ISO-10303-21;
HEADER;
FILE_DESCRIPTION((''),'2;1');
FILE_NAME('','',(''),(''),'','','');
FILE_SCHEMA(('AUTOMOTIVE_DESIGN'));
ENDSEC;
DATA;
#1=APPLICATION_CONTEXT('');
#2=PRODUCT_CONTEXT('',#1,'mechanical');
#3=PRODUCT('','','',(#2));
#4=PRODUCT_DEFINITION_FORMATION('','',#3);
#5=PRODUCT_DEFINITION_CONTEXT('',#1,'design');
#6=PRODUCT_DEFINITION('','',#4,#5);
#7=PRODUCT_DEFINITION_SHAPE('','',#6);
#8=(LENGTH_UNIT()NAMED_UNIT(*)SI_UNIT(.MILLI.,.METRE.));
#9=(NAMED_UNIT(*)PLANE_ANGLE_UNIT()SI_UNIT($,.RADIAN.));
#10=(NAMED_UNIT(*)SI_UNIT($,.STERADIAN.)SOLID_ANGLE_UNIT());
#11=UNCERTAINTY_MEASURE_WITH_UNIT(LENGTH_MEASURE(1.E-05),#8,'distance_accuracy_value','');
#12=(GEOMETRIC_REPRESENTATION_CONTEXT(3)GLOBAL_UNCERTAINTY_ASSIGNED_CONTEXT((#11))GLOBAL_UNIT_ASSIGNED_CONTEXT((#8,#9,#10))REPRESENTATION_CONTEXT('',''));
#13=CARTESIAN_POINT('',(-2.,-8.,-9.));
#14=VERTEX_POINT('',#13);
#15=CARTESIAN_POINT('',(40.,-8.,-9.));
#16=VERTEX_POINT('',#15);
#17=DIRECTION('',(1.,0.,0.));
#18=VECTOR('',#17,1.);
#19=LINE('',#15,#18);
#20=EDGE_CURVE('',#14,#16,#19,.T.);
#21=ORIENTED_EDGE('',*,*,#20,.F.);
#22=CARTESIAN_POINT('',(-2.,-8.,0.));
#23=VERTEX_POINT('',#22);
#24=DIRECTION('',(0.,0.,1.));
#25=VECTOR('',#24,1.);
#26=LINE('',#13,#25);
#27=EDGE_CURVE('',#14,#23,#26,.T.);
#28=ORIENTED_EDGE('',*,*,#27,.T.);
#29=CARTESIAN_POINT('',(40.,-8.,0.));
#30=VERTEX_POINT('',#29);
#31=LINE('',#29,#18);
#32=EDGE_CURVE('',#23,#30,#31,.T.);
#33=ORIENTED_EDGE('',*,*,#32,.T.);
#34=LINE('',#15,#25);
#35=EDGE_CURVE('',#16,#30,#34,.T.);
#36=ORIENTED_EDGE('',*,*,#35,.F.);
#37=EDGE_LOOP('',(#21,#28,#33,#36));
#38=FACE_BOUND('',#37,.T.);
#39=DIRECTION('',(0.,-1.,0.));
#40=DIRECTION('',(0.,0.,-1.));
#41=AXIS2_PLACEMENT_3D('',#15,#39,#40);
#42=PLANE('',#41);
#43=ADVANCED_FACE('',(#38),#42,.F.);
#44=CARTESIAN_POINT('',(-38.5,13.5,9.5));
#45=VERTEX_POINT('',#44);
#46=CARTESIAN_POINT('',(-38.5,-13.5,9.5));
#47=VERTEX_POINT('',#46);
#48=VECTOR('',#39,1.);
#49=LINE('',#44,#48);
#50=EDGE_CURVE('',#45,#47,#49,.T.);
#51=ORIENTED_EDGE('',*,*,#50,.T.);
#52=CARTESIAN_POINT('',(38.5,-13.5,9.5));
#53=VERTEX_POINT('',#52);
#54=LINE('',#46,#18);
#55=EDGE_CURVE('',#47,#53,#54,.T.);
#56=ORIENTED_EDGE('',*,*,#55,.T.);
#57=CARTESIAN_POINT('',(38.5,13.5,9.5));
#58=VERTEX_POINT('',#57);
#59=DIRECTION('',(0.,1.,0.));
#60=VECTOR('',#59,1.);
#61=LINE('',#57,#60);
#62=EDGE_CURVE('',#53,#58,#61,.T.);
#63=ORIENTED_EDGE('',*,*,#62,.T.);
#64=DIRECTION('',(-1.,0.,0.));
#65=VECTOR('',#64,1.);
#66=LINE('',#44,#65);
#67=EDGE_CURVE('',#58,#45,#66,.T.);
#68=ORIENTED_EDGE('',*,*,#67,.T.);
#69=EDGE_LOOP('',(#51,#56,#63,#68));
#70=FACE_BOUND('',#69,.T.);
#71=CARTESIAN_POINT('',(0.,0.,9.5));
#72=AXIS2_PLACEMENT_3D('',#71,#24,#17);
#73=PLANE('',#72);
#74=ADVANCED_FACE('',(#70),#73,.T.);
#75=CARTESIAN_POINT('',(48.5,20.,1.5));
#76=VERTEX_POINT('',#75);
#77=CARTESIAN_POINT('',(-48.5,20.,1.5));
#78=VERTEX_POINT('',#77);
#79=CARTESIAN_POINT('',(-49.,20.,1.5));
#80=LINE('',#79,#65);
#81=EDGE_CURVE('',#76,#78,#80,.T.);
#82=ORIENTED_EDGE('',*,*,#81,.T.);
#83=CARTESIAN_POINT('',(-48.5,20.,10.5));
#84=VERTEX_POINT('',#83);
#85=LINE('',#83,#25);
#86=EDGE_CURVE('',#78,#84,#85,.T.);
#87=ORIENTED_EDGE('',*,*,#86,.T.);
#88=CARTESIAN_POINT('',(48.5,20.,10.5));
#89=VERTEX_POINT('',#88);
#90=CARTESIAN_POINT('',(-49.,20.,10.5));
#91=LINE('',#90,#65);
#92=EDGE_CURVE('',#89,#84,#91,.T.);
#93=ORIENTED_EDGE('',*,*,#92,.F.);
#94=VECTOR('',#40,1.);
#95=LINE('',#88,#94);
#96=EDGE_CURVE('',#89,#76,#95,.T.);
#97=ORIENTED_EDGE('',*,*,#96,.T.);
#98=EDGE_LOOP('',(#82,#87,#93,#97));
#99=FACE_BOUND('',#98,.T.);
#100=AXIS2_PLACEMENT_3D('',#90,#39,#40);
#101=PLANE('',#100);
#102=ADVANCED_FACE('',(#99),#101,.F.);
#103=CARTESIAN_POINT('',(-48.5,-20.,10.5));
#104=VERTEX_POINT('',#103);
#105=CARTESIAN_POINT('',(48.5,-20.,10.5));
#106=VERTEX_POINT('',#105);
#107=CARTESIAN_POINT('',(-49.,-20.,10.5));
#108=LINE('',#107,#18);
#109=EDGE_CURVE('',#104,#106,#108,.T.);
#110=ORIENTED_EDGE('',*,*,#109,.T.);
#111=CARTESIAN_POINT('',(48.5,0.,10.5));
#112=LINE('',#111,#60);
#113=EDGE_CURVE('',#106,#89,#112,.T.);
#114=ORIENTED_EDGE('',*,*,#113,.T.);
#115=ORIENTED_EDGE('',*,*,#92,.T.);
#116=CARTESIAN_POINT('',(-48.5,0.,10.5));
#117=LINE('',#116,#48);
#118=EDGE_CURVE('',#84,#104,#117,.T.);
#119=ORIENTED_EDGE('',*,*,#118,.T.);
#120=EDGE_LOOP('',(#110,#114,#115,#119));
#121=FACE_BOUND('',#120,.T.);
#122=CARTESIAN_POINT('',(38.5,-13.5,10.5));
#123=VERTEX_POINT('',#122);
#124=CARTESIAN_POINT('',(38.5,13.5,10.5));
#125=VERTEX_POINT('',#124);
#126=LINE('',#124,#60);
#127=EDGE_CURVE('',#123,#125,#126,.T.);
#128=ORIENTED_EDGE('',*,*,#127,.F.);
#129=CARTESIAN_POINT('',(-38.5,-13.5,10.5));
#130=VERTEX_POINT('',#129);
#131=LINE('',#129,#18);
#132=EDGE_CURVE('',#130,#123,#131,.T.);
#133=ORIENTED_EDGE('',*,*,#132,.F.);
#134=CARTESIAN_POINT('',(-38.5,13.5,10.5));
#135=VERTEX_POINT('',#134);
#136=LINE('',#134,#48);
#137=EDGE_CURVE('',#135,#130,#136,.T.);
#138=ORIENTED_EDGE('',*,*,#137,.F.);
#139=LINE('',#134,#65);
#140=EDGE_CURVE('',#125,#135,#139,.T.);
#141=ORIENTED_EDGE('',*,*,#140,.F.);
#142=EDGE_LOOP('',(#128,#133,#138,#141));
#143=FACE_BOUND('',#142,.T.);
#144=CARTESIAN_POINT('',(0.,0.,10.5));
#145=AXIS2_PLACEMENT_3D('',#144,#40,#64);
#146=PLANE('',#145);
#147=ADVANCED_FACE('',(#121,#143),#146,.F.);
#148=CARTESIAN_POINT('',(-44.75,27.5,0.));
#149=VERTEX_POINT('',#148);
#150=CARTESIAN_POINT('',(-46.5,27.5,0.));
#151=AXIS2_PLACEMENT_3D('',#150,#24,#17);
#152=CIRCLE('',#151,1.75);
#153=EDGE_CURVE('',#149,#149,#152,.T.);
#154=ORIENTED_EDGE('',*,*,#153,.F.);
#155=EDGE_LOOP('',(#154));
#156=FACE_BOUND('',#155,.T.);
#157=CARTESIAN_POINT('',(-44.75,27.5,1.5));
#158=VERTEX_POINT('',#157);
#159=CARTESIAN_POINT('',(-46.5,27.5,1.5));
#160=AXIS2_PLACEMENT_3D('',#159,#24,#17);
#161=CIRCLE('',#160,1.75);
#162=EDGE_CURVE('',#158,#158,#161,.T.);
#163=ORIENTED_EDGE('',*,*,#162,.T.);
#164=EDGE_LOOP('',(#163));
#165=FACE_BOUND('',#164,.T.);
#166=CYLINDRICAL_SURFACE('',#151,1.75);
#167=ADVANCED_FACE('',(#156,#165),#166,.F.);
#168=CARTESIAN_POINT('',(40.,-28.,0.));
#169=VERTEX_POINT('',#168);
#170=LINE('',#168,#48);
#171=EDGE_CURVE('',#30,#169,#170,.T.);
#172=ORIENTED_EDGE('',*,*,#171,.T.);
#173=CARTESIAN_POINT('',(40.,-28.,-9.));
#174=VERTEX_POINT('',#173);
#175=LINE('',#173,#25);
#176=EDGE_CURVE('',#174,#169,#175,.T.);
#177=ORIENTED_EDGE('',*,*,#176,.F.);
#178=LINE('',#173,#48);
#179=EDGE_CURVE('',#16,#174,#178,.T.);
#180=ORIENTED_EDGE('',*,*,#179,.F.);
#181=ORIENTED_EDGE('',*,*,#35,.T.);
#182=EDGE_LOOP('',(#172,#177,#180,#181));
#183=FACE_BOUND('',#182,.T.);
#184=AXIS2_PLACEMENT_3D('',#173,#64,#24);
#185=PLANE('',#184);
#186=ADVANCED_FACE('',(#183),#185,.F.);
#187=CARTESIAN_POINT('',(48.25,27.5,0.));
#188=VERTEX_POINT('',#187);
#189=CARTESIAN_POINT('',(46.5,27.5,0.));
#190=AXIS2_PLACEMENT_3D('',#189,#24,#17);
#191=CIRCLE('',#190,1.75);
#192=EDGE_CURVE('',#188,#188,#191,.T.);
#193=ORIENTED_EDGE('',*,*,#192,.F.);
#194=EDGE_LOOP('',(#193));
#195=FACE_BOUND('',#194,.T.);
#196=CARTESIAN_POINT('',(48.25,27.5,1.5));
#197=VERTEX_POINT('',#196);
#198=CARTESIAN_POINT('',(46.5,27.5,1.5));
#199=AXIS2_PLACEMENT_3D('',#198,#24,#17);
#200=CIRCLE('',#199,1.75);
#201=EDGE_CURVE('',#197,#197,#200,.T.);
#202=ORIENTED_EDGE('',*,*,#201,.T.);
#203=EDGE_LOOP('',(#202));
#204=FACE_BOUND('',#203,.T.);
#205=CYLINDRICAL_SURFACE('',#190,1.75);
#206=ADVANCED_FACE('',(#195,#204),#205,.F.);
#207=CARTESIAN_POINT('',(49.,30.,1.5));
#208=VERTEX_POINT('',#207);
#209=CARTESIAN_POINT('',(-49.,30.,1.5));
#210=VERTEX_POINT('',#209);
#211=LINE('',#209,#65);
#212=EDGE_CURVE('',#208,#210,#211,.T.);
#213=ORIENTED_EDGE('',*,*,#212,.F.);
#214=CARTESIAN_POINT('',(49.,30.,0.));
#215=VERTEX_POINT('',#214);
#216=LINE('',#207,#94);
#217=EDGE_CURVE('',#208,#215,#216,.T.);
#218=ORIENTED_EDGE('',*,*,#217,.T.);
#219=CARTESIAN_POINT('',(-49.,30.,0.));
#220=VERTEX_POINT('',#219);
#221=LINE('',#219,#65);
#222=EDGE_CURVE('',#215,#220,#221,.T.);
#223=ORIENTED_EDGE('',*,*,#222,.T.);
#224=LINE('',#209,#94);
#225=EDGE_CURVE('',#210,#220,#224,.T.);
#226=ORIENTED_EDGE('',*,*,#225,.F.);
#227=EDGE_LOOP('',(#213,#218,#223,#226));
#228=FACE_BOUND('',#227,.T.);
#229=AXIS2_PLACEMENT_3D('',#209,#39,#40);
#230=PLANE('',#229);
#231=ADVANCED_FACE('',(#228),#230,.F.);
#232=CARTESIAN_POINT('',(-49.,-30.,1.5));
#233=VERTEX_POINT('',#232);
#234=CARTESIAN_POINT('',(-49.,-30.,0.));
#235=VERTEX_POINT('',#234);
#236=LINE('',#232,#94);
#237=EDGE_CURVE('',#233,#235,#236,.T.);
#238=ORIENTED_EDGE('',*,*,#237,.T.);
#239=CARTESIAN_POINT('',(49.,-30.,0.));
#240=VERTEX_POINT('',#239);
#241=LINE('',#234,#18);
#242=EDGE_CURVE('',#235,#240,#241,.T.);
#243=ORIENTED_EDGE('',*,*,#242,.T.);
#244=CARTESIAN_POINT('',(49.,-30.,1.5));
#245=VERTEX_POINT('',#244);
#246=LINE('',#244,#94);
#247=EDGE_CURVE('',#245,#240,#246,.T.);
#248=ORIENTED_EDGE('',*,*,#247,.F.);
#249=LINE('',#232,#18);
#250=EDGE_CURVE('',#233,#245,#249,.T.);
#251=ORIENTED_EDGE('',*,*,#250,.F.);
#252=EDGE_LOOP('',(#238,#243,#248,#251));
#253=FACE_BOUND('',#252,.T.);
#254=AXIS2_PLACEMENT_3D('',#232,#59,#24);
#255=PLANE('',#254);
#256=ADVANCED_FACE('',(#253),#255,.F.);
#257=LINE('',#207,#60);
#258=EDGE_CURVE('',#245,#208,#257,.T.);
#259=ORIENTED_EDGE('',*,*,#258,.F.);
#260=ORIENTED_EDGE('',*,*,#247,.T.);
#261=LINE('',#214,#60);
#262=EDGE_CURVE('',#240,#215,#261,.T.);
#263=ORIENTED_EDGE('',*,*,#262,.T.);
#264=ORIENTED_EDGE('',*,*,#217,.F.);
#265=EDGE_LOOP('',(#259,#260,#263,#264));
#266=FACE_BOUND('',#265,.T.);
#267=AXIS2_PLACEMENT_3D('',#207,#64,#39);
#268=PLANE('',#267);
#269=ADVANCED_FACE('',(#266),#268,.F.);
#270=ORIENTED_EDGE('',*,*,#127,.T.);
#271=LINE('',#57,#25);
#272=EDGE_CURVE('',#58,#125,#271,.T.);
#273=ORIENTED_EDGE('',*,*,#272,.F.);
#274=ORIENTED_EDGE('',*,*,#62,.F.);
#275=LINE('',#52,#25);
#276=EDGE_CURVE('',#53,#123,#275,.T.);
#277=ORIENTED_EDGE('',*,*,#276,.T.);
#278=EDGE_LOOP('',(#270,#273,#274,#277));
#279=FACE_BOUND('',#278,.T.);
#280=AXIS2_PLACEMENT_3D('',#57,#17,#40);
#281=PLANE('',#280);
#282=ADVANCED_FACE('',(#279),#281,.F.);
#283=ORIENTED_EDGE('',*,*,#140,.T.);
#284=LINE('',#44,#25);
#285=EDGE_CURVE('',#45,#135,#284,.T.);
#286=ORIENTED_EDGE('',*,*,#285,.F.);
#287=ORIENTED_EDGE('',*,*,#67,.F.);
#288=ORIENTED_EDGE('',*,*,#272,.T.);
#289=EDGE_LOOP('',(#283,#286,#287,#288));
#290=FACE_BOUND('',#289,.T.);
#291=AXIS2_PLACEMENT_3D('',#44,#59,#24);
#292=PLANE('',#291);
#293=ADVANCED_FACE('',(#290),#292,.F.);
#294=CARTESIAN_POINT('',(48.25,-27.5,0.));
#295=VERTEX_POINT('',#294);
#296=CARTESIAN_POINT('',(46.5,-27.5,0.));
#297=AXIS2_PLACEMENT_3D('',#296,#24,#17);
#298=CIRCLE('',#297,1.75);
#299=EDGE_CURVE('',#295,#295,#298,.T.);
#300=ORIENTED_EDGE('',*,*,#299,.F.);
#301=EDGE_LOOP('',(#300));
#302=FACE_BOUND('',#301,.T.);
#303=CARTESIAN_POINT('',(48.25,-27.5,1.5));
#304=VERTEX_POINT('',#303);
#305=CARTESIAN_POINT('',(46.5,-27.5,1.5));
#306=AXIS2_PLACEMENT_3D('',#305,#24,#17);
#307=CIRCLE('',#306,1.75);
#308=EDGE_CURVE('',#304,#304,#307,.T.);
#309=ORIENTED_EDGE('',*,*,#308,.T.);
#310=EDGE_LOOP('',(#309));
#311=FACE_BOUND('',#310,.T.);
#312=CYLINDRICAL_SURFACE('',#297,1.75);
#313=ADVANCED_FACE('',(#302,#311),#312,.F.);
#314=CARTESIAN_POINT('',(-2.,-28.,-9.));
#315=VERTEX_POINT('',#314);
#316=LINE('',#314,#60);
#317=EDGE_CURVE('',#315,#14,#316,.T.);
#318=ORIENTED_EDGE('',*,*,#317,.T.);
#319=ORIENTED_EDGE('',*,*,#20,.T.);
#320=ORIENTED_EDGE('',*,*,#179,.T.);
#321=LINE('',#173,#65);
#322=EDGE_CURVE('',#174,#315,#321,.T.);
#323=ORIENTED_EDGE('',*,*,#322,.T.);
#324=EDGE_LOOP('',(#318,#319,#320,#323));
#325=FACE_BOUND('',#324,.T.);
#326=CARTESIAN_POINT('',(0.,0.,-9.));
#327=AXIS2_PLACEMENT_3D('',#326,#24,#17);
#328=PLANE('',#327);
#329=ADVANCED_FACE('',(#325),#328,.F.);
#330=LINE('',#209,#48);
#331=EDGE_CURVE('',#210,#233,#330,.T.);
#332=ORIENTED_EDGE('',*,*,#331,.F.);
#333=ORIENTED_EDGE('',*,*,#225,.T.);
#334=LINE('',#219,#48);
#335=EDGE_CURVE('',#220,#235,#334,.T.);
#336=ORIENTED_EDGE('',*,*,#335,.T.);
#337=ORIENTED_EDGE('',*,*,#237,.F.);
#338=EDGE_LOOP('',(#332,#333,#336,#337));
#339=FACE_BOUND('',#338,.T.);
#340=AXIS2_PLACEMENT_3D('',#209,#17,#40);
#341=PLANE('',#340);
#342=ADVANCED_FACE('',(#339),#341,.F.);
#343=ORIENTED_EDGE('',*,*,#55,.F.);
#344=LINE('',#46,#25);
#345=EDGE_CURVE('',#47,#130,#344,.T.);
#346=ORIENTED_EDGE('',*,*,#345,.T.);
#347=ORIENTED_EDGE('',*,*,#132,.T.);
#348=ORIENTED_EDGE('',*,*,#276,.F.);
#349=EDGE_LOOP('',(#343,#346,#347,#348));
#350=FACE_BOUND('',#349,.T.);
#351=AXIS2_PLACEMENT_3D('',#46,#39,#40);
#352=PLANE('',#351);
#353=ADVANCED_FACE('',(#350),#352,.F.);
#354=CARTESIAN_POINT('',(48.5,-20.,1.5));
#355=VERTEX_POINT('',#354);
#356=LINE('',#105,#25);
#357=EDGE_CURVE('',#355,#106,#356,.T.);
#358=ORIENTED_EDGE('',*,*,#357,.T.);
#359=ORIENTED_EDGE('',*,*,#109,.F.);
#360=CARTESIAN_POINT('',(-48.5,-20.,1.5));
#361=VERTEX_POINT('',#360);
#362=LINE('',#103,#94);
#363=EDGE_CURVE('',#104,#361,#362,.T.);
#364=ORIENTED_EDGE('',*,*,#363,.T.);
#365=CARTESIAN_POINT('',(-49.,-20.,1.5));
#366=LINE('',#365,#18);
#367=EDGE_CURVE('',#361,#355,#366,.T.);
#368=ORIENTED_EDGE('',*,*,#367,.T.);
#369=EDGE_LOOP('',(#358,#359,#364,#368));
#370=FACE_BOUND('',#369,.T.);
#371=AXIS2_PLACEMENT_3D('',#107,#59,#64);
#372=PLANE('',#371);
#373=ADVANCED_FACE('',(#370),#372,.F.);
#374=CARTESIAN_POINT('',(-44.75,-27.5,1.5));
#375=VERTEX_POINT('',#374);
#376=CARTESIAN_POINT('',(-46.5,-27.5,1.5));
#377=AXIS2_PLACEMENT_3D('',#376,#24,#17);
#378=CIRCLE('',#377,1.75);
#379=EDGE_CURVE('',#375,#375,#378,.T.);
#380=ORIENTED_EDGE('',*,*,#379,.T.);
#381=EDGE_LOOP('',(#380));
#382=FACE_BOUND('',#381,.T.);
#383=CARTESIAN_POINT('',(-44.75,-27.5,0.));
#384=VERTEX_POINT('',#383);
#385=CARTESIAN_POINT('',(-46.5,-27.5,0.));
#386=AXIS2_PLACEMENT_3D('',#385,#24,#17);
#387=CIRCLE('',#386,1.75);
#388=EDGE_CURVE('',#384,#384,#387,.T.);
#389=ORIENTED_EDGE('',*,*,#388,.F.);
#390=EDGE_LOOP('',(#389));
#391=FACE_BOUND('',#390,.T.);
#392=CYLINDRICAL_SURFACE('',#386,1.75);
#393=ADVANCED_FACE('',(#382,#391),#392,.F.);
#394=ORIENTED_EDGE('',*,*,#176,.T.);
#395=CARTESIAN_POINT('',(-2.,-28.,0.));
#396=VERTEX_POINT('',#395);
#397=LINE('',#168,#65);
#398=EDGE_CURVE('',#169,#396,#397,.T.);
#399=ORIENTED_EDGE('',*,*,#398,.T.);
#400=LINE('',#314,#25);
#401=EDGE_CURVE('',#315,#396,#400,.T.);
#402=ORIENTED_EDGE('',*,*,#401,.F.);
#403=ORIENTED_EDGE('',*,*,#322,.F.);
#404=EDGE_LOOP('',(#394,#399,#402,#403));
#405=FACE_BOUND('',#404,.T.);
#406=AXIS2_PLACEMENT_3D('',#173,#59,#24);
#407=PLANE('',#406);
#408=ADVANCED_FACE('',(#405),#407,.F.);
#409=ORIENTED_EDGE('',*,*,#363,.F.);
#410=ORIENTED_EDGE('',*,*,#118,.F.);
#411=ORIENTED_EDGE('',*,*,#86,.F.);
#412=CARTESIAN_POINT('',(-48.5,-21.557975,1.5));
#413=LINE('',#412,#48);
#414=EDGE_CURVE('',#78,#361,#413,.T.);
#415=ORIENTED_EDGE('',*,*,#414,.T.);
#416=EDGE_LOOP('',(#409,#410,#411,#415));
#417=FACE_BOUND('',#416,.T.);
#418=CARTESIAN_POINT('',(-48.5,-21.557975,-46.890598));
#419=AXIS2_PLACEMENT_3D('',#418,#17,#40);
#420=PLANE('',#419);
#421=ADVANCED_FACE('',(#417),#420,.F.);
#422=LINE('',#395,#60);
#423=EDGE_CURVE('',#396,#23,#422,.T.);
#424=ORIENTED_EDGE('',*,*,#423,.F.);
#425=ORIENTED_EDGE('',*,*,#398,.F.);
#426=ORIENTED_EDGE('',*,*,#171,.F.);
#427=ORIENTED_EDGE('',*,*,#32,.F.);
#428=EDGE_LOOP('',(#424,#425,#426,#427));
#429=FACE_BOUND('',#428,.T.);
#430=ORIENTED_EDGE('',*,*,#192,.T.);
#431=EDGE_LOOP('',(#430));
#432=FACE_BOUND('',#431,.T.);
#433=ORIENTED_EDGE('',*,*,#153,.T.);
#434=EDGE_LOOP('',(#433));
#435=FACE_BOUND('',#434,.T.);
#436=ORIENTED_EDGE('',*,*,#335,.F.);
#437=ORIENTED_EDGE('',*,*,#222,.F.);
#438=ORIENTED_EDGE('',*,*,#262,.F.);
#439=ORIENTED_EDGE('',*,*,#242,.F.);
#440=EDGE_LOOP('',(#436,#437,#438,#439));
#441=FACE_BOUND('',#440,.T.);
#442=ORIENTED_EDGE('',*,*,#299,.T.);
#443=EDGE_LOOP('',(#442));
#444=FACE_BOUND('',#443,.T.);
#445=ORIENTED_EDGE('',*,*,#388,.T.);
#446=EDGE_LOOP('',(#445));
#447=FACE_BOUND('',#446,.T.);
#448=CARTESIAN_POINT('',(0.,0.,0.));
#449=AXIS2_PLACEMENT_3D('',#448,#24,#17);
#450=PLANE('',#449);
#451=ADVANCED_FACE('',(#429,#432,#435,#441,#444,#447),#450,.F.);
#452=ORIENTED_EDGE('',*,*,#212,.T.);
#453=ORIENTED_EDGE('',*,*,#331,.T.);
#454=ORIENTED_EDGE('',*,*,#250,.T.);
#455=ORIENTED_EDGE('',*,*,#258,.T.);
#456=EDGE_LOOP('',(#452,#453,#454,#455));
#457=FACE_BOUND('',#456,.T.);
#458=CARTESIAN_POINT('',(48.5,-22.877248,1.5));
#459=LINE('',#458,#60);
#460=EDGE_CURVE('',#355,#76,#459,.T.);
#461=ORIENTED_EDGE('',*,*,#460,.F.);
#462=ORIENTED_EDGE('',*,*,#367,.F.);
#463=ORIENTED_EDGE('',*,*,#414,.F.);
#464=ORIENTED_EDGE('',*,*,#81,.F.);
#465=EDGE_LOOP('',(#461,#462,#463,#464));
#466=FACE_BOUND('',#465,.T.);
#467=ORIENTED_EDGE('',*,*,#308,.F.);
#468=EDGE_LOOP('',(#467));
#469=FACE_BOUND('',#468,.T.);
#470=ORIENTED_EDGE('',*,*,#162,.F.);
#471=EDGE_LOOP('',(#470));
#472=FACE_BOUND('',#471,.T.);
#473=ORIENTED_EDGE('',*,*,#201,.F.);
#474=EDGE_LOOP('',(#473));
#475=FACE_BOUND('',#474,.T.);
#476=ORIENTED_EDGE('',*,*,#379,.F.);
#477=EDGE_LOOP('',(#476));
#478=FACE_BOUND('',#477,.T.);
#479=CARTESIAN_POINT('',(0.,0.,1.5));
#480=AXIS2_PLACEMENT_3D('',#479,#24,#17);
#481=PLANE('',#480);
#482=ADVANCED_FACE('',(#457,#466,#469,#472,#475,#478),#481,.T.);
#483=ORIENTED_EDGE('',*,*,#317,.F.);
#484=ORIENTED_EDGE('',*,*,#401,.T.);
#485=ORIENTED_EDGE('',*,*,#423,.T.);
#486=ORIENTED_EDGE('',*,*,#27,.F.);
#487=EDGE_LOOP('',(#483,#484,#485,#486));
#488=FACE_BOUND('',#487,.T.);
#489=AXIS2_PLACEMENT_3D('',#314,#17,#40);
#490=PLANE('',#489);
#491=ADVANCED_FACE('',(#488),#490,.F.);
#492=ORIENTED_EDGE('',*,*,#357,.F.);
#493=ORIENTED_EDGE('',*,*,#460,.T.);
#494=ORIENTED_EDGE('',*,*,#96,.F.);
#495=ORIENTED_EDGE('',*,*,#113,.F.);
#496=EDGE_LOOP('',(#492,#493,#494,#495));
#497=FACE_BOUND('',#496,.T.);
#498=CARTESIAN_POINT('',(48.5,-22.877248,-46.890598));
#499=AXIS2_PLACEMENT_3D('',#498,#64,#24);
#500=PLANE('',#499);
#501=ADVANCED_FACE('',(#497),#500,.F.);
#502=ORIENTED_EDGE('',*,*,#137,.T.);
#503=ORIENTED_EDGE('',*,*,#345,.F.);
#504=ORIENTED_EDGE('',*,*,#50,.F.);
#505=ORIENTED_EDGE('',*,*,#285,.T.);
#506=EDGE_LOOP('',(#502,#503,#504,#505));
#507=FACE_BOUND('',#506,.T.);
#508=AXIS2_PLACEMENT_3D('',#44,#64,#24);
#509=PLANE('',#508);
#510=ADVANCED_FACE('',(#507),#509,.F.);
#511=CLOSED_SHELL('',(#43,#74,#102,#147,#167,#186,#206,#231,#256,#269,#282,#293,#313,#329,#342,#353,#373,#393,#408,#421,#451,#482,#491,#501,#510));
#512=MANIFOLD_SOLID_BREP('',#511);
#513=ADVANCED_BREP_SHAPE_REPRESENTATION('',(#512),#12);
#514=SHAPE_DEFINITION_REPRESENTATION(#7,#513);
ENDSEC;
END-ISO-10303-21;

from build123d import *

# Parameters (mm, degrees)
SKETCH1_W           = 98
SKETCH1_H           = 60
BOSS_EXTRUDE1_DEPTH = 1.5
SKETCH2_W           = 98
SKETCH2_H           = 40
BOSS_EXTRUDE2_DEPTH = 9
SKETCH3_W           = 77
SKETCH3_H           = 27
CUT_EXTRUDE1_DEPTH  = 1
SKETCH4_R           = 1.75
CUT_EXTRUDE2_DEPTH  = 2.5
SKETCH5_W           = 42
SKETCH5_H           = 20
BOSS_EXTRUDE3_DEPTH = 9
SKETCH6_W           = 18.449888981
SKETCH6_H           = 44.735350261
SKETCH6_W_2         = 5.736894001
SKETCH6_H_2         = 46.054623325
CUT_EXTRUDE3_DEPTH  = 9


with BuildPart() as part:
    # Sketch1 → Boss-Extrude1 (new body)
    with BuildSketch(Plane.XY):
        Rectangle(SKETCH1_W, SKETCH1_H)
    extrude(amount=BOSS_EXTRUDE1_DEPTH)

    # Sketch2 → Boss-Extrude2 (add)
    with BuildSketch(Plane.XY.offset(1.5)):
        Rectangle(SKETCH2_W, SKETCH2_H)
    extrude(amount=BOSS_EXTRUDE2_DEPTH)

    # Sketch3 → Cut-Extrude1 (cut)
    with BuildSketch(Plane.XY.offset(10.5)):
        Rectangle(SKETCH3_W, SKETCH3_H)
    extrude(amount=-CUT_EXTRUDE1_DEPTH, mode=Mode.SUBTRACT)

    # Sketch4 → Cut-Extrude2 (cut, through all)
    with BuildSketch(Plane.XY.offset(1.5)):
        with Locations((-46.5, 27.5)):
            Circle(SKETCH4_R)
        with Locations((46.5, 27.5)):
            Circle(SKETCH4_R)
        with Locations((46.5, -27.5)):
            Circle(SKETCH4_R)
        with Locations((-46.5, -27.5)):
            Circle(SKETCH4_R)
    extrude(amount=-CUT_EXTRUDE2_DEPTH, mode=Mode.SUBTRACT)

    # Sketch5 → Boss-Extrude3 (add)
    with BuildSketch(Plane(origin=(0, 0, 0), x_dir=(-1, 0, 0), z_dir=(0, 0, -1))):
        with Locations((-19, -18)):
            Rectangle(SKETCH5_W, SKETCH5_H)
    extrude(amount=BOSS_EXTRUDE3_DEPTH)

    # Sketch6 → Cut-Extrude3 (cut)
    with BuildSketch(Plane.XY.offset(10.5)):
        with Locations((-57.724944491, 0.8097006)):
            Rectangle(SKETCH6_W, SKETCH6_H)
        with Locations((51.368447, 0.150064069)):
            Rectangle(SKETCH6_W_2, SKETCH6_H_2)
    extrude(amount=-CUT_EXTRUDE3_DEPTH, mode=Mode.SUBTRACT)


solid = part.part
